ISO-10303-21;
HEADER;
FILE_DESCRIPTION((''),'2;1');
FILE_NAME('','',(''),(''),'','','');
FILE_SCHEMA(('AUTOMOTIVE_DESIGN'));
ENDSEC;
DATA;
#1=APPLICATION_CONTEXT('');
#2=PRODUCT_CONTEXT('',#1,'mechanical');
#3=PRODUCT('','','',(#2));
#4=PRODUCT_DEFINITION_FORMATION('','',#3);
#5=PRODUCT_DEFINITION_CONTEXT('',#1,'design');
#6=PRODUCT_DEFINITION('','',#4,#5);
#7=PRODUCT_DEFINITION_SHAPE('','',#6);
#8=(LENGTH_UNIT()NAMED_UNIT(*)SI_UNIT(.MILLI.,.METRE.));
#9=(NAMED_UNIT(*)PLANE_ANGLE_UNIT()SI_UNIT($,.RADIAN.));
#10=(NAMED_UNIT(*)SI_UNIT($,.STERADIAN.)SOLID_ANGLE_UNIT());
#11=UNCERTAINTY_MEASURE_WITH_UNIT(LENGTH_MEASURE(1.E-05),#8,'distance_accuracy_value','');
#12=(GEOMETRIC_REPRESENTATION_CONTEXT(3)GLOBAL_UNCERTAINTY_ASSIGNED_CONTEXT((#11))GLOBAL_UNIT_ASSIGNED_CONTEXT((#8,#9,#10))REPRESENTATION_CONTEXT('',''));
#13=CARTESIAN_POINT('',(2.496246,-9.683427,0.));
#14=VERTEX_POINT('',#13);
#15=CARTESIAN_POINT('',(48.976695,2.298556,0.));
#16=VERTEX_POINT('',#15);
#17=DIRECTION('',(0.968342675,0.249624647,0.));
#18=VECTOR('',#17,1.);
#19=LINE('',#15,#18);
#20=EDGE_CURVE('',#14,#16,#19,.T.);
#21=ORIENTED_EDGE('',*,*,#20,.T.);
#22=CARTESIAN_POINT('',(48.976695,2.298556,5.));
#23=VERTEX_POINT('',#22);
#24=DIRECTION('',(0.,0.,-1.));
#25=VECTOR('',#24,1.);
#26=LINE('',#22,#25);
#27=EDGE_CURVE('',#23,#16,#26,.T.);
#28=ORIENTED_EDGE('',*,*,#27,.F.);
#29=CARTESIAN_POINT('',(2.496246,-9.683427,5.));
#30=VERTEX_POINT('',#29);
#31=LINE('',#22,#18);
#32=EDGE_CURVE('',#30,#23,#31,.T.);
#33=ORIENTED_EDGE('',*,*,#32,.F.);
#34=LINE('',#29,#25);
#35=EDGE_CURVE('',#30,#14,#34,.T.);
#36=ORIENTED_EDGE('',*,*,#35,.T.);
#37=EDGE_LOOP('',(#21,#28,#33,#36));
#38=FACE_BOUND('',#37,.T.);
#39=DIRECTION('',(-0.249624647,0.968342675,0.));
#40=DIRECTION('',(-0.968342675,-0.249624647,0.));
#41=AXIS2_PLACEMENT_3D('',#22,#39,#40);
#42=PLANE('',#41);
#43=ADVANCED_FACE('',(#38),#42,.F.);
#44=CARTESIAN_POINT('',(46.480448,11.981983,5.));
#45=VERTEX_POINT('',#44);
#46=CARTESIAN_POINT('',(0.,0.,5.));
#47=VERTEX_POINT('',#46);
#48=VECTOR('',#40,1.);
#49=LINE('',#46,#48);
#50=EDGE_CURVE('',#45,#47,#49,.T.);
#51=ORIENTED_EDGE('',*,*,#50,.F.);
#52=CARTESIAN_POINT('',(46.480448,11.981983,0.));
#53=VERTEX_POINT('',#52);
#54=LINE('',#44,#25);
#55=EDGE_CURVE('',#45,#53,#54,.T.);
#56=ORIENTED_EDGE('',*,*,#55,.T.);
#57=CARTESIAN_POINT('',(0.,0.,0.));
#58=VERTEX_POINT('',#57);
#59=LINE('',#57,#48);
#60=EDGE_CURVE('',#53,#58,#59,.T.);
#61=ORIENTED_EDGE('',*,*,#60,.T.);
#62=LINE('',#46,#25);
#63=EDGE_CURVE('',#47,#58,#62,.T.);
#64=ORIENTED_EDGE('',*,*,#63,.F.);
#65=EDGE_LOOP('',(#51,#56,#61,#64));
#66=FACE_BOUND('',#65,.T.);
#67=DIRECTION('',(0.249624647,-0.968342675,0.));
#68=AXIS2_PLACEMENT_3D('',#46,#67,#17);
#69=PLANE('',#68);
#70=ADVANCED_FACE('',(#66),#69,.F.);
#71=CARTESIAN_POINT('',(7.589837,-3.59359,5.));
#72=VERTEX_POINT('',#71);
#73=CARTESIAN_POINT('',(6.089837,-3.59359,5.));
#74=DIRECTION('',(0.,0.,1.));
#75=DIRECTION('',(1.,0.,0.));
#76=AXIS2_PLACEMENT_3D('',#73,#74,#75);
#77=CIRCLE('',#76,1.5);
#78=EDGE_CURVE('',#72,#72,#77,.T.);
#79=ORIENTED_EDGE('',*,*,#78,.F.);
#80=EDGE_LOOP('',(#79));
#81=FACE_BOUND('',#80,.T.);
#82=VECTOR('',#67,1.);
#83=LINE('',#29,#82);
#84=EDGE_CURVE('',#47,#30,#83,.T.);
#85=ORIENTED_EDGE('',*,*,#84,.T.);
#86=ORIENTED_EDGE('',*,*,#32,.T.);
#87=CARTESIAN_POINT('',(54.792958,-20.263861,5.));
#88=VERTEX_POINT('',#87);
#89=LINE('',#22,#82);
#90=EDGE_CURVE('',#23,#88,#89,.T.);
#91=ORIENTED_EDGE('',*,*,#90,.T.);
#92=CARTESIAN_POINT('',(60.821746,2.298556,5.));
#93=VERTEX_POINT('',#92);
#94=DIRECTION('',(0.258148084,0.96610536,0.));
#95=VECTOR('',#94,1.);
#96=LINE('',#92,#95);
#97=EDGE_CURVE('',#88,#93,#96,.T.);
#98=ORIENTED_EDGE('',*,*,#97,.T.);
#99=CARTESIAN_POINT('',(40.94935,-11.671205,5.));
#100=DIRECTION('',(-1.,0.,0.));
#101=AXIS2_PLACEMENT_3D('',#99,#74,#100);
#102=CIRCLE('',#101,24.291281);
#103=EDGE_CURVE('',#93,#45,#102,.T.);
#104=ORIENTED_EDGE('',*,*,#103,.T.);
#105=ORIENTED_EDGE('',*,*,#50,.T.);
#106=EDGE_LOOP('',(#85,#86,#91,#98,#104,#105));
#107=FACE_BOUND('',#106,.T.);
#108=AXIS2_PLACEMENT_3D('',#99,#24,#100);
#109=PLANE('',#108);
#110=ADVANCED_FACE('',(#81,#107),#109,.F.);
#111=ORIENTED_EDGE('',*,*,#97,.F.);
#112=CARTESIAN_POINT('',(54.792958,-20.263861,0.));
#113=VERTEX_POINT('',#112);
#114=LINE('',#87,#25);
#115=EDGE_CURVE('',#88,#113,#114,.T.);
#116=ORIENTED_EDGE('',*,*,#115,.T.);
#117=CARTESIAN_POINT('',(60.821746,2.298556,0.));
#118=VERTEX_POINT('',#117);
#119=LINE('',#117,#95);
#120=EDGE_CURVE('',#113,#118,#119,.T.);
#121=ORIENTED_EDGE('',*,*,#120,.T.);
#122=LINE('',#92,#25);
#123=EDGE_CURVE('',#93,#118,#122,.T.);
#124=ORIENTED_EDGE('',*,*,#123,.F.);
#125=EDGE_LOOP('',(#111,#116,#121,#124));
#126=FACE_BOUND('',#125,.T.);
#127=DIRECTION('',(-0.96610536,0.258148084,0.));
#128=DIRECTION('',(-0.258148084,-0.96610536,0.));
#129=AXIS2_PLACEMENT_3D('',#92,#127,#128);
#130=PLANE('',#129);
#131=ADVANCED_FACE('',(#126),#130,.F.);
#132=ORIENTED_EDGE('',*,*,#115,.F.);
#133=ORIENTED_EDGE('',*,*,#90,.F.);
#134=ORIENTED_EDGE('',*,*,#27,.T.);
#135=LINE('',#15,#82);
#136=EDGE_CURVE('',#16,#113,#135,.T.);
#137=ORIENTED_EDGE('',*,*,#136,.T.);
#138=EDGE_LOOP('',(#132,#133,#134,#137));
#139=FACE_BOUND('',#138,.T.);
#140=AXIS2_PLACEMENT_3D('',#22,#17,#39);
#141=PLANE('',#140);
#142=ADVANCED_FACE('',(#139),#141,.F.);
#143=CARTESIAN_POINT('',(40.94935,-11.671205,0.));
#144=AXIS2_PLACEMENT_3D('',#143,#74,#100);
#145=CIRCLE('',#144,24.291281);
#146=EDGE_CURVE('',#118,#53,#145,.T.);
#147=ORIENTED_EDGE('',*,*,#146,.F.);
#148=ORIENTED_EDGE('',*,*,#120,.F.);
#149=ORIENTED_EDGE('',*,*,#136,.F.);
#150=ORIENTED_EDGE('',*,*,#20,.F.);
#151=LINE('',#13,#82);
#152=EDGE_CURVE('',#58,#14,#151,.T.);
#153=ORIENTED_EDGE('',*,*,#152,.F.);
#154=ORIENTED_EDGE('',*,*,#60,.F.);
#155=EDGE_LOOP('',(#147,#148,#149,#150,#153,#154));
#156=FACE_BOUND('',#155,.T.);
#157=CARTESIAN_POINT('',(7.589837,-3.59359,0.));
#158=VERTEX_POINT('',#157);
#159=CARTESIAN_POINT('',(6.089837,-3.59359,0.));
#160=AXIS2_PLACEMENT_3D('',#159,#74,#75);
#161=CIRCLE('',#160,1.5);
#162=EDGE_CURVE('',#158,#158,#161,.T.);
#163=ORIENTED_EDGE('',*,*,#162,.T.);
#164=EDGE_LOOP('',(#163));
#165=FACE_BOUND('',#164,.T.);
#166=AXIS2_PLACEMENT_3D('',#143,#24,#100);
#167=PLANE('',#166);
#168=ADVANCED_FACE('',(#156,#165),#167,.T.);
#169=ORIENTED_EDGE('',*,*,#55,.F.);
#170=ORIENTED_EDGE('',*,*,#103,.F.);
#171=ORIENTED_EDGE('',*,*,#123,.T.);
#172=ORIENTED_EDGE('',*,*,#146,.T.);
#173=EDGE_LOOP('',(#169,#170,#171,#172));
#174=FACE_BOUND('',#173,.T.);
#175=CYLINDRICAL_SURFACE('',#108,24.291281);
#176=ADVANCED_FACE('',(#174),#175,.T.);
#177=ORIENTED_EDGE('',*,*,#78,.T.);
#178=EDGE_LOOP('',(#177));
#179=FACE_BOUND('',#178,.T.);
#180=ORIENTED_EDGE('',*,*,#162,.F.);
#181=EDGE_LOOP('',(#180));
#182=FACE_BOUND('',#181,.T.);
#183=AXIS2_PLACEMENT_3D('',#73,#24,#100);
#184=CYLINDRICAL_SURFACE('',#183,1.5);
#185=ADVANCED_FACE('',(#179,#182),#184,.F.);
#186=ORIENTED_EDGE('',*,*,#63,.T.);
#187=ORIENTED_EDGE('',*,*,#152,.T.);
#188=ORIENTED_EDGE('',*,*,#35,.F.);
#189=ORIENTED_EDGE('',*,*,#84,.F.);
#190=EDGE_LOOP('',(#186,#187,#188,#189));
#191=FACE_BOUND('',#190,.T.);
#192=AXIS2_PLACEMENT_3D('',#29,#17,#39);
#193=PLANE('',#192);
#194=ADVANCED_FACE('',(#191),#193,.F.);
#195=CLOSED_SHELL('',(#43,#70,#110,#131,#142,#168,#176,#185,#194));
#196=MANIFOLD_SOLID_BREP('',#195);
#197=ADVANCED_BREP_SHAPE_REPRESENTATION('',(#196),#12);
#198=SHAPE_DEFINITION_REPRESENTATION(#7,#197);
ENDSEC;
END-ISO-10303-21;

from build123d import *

# Parameters (mm, degrees)
ESQUISSE1_R        = 1.5
BOSS_EXTRU_1_DEPTH = 5


with BuildPart() as part:
    # Esquisse1 → Boss.-Extru.1 (new body)
    with BuildSketch(Plane.XY):
        with BuildLine():
            Line((60.821746164, 2.298556296), (54.792957694, -20.26386127))
            Line((54.792957694, -20.26386127), (48.976694855, 2.298556296))
            Line((48.976694855, 2.298556296), (2.496246467, -9.683426747))
            Line((2.496246467, -9.683426747), (0, 0))
            Line((0, 0), (46.480448388, 11.981983043))
            ThreePointArc((46.480448388, 11.981983043), (54.542604676, 8.460605272), (60.821746164, 2.298556296))
        make_face()
        with Locations((6.089836607, -3.59359014)):
            Circle(ESQUISSE1_R, mode=Mode.SUBTRACT)
    extrude(amount=BOSS_EXTRU_1_DEPTH)


solid = part.part
